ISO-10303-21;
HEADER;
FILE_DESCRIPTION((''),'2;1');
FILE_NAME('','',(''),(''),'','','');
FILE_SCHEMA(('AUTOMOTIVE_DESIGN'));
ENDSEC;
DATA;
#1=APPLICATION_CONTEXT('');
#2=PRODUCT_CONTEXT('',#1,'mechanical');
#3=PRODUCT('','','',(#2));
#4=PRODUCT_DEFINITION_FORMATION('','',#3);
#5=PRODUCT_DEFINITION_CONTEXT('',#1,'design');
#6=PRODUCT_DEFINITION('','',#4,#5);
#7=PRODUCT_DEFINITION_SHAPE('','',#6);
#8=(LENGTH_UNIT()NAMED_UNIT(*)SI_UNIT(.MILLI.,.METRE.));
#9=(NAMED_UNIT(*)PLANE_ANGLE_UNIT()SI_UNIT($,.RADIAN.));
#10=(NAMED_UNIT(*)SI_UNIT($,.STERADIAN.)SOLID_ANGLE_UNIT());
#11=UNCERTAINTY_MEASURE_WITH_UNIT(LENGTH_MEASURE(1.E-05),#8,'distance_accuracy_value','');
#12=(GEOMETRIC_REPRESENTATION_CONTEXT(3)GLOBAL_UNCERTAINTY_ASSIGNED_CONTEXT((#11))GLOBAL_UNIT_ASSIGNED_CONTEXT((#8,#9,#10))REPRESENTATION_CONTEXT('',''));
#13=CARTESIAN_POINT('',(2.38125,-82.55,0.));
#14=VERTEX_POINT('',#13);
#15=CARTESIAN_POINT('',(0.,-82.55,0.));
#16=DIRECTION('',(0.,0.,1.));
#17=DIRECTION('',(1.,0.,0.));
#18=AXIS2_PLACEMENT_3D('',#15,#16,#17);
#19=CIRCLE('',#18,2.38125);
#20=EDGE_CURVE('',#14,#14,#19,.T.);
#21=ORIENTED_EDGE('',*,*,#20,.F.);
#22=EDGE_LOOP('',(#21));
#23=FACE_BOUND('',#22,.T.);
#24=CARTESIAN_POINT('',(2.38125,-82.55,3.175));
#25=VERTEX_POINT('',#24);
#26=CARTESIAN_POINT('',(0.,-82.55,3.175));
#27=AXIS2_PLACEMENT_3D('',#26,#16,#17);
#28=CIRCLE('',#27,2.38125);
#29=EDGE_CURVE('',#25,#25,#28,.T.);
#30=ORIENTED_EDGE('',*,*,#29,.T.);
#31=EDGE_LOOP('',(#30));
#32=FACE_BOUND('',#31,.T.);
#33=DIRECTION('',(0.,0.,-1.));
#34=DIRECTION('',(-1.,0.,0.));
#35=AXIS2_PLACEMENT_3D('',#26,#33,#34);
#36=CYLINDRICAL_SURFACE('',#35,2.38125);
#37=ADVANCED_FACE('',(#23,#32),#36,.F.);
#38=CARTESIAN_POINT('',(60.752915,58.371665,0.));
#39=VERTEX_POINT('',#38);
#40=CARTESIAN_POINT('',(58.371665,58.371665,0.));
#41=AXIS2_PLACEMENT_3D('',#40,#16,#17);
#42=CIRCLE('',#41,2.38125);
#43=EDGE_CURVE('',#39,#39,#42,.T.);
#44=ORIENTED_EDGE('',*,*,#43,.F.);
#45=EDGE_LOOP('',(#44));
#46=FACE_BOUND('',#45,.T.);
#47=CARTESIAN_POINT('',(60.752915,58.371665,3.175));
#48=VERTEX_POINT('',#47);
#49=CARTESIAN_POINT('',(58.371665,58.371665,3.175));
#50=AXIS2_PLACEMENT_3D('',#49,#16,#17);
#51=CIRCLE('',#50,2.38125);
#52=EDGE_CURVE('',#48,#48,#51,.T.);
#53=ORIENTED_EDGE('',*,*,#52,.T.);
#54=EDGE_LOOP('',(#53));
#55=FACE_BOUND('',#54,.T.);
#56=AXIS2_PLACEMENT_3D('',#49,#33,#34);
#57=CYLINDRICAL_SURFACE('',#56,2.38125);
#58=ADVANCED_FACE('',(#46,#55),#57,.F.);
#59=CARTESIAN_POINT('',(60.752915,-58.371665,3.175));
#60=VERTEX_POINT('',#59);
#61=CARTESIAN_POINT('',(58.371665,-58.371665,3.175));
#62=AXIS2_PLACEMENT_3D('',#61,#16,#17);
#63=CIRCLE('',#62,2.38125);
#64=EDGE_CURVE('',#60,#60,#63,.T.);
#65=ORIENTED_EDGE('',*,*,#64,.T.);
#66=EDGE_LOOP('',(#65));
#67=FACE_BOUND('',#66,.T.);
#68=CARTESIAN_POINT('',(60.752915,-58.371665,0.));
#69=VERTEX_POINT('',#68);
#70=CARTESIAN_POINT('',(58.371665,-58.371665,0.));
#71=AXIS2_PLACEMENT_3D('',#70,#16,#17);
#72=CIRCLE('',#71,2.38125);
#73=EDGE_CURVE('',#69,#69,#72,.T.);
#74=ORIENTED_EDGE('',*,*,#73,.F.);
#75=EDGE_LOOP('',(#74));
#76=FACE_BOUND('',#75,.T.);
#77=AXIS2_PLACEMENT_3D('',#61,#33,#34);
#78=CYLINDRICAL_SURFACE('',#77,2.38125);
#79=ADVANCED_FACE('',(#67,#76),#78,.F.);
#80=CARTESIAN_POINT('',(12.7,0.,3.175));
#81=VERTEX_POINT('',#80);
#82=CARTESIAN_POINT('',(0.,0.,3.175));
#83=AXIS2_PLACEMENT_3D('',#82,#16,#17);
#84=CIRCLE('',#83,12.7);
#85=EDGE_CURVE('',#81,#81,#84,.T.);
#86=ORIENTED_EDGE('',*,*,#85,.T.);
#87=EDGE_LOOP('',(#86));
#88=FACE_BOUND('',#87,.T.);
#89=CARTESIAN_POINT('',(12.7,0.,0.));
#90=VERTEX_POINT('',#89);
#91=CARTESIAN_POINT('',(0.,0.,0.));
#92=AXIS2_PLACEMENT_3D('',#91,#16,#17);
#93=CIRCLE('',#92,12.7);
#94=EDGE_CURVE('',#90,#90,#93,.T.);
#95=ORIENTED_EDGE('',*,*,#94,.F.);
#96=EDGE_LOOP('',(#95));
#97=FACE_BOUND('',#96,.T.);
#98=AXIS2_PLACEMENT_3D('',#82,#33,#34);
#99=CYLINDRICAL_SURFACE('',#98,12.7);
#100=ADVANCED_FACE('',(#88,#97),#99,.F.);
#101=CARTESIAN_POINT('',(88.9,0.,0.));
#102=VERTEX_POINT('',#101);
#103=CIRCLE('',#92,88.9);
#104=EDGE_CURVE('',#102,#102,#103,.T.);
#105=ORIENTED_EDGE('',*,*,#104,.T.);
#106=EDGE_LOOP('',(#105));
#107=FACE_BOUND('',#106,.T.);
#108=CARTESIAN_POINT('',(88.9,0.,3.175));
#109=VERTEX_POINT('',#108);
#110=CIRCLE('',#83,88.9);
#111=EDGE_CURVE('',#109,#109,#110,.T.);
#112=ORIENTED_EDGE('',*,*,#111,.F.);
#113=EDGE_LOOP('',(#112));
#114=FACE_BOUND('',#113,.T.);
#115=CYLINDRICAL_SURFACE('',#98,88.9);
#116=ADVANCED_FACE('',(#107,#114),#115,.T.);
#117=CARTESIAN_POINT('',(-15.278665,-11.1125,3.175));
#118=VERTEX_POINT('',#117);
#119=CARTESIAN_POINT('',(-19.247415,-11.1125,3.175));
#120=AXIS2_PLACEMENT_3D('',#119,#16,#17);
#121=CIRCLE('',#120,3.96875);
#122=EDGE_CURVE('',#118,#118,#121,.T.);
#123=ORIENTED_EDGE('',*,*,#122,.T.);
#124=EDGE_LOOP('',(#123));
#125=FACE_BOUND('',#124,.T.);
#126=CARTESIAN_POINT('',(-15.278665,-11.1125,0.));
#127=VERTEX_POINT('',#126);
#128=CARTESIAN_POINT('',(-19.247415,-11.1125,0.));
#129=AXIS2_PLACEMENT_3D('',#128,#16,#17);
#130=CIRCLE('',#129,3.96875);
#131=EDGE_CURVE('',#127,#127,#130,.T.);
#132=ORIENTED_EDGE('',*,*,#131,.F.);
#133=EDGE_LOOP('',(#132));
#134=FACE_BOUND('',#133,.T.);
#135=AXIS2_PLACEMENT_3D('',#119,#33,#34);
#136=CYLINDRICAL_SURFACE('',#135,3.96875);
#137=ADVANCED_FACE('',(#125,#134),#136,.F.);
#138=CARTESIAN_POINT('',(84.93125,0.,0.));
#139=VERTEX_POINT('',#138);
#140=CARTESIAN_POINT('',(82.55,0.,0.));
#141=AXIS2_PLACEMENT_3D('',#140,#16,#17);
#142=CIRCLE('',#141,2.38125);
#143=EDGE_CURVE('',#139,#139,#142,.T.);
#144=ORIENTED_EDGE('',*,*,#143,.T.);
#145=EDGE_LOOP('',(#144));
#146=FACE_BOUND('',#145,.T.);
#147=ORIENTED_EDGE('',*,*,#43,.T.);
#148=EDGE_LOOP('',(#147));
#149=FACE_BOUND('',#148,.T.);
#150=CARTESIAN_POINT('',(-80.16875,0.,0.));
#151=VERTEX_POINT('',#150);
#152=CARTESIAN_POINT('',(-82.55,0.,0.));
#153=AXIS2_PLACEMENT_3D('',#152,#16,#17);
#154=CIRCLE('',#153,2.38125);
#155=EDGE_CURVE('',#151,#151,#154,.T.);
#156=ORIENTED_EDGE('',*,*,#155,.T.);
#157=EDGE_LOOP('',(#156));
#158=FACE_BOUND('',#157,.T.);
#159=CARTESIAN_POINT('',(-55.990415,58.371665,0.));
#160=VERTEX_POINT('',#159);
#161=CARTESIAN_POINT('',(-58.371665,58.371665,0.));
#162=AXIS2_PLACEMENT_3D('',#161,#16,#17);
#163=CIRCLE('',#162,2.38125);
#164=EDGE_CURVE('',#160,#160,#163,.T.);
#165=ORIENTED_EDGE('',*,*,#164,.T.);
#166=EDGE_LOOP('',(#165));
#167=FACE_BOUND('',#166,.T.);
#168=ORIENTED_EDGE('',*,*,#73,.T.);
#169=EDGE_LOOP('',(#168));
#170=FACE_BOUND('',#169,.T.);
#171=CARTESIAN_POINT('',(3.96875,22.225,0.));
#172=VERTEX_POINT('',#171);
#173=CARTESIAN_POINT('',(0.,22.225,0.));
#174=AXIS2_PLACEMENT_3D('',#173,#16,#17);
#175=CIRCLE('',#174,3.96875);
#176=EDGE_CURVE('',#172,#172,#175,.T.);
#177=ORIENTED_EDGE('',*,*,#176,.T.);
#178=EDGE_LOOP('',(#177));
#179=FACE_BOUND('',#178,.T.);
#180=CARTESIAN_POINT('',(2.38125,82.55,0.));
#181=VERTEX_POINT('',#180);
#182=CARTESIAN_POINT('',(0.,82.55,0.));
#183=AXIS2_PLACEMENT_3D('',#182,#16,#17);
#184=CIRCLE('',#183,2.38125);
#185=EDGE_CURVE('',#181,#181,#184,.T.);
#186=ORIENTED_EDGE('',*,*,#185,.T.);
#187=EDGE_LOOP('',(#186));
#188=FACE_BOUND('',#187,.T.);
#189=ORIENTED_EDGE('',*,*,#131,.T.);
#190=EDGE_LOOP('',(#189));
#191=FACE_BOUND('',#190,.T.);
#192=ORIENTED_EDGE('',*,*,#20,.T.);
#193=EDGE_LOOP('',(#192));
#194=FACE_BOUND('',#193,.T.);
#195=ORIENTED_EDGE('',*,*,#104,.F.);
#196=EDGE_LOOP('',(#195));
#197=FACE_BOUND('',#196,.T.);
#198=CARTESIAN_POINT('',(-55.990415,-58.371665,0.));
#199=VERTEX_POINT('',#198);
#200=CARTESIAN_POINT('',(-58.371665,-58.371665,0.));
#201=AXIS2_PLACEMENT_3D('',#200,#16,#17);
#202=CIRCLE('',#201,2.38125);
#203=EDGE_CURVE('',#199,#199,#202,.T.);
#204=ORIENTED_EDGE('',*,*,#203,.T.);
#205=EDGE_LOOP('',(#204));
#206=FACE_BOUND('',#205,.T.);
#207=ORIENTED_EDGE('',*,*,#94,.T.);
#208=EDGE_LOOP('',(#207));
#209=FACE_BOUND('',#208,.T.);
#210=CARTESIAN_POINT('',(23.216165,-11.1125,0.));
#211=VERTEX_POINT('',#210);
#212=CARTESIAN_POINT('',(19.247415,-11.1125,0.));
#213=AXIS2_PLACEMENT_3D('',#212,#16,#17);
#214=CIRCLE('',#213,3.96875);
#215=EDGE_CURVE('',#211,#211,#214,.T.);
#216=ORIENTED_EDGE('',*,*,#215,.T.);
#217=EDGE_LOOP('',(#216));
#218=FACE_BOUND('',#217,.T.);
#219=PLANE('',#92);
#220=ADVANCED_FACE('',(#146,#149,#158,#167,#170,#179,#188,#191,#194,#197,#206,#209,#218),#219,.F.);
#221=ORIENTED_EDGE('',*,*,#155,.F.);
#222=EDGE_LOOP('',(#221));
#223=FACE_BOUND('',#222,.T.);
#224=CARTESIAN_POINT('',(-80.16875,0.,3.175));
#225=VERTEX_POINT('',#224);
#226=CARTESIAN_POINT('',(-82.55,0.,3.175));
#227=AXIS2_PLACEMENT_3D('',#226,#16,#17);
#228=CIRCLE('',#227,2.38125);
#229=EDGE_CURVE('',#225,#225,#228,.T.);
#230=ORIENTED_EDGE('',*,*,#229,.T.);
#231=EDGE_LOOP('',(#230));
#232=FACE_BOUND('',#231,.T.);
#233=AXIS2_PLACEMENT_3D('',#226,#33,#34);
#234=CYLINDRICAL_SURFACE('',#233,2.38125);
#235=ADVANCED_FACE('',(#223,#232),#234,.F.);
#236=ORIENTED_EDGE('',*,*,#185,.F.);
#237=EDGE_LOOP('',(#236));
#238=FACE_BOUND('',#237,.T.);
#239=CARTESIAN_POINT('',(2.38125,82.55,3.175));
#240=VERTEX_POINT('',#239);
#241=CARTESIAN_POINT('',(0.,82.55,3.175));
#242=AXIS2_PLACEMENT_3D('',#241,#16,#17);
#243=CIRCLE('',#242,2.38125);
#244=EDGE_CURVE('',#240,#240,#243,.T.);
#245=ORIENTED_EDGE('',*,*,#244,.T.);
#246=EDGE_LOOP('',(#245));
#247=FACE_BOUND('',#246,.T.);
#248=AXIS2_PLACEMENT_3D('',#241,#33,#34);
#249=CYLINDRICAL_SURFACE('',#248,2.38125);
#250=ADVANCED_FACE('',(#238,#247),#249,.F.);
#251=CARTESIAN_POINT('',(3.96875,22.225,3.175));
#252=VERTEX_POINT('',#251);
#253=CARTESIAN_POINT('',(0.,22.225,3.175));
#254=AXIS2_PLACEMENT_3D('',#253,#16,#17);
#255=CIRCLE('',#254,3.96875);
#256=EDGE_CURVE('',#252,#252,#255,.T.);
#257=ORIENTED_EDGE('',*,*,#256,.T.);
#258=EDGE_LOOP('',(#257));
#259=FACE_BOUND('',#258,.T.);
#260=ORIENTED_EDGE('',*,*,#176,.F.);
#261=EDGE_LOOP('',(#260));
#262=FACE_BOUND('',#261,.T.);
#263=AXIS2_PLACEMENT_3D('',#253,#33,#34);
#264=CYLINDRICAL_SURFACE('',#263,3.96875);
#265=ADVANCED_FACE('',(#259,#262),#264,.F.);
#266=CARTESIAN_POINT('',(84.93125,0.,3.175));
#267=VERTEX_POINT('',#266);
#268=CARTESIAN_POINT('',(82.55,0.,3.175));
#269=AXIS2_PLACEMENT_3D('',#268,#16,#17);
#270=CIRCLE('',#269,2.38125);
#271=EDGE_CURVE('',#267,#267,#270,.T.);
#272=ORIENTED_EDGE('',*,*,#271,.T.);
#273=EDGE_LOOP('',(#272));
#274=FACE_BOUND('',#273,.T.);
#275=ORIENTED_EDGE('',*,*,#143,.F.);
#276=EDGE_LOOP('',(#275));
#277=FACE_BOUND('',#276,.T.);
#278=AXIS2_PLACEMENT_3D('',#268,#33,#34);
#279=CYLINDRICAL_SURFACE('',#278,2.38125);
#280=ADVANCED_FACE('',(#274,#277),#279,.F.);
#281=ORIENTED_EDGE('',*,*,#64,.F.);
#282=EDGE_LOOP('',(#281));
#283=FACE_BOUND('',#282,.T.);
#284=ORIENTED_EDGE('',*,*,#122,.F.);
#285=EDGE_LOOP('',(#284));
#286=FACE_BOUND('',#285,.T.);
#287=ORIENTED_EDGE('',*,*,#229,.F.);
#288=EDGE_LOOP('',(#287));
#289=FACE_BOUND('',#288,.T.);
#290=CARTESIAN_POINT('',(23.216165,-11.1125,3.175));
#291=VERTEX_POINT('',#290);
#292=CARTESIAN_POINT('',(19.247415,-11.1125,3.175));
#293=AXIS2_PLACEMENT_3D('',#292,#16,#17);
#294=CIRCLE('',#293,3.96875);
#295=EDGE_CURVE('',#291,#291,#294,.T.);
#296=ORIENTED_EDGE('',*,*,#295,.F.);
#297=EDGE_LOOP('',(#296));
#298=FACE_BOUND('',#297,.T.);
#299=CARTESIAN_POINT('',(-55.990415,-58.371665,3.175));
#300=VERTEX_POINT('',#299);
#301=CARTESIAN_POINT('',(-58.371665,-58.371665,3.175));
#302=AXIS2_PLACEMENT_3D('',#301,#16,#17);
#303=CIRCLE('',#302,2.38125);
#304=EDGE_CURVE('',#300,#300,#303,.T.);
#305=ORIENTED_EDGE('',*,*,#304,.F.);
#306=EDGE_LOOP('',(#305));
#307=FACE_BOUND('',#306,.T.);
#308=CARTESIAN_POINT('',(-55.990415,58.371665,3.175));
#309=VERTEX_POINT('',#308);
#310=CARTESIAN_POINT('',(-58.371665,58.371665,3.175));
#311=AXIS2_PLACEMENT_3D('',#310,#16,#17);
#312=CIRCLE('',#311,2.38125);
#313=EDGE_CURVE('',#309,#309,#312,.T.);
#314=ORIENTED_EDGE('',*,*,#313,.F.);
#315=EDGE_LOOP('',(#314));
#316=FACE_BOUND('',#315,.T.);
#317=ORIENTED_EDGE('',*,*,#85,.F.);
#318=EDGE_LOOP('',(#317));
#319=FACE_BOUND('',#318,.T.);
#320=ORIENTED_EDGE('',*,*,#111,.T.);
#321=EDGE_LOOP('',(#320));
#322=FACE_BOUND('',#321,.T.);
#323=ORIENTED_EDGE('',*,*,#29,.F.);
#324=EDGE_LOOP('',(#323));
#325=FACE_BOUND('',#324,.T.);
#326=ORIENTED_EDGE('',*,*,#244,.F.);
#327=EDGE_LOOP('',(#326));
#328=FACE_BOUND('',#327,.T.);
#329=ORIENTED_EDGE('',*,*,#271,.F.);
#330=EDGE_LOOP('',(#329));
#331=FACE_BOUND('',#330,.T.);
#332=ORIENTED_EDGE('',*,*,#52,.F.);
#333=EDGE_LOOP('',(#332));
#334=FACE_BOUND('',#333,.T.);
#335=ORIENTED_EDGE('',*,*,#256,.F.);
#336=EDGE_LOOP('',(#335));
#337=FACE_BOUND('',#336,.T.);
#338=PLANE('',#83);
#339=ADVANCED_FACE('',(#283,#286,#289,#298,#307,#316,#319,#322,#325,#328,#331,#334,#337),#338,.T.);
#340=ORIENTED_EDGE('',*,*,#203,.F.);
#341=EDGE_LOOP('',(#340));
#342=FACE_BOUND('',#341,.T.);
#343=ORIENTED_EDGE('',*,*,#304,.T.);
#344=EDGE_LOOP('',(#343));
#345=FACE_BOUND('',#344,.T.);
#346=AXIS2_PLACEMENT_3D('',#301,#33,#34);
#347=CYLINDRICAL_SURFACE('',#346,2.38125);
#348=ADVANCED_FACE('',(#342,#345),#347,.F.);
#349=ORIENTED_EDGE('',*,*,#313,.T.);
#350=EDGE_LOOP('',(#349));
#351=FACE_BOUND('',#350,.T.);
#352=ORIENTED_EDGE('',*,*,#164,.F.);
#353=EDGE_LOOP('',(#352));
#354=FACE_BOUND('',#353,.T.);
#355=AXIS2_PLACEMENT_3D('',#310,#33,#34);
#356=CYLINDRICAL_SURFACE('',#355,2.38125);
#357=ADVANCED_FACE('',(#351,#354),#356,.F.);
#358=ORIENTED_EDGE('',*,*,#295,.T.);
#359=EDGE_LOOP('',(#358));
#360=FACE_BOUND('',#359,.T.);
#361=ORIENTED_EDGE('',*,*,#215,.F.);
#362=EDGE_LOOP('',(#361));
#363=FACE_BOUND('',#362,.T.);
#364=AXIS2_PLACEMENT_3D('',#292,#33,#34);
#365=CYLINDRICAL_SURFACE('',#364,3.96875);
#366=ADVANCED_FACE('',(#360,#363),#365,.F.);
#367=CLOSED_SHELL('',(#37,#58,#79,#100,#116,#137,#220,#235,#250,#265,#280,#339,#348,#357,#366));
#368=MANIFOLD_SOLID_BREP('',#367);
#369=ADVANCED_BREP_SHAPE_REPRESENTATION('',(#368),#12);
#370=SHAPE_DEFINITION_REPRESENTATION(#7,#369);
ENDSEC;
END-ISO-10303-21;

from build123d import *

# Parameters (mm, degrees)
SKETCH1_R           = 88.9
SKETCH1_R_2         = 3.96875
SKETCH1_R_3         = 2.38125
SKETCH1_R_4         = 12.7
BOSS_EXTRUDE1_DEPTH = 3.175


with BuildPart() as part:
    # Sketch1 → Boss-Extrude1 (new body)
    with BuildSketch(Plane.XY):
        Circle(SKETCH1_R)
        with Locations((0, 22.225)):
            Circle(SKETCH1_R_2, mode=Mode.SUBTRACT)
        with Locations((19.247414599, -11.1125)):
            Circle(SKETCH1_R_2, mode=Mode.SUBTRACT)
        with Locations((-19.247414599, -11.1125)):
            Circle(SKETCH1_R_2, mode=Mode.SUBTRACT)
        with Locations((0, 82.55)):
            Circle(SKETCH1_R_3, mode=Mode.SUBTRACT)
        with Locations((58.371664787, 58.371664787)):
            Circle(SKETCH1_R_3, mode=Mode.SUBTRACT)
        with Locations((82.55, 0)):
            Circle(SKETCH1_R_3, mode=Mode.SUBTRACT)
        with Locations((58.371664787, -58.371664787)):
            Circle(SKETCH1_R_3, mode=Mode.SUBTRACT)
        with Locations((0, -82.55)):
            Circle(SKETCH1_R_3, mode=Mode.SUBTRACT)
        with Locations((-58.371664787, -58.371664787)):
            Circle(SKETCH1_R_3, mode=Mode.SUBTRACT)
        with Locations((-82.55, 0)):
            Circle(SKETCH1_R_3, mode=Mode.SUBTRACT)
        with Locations((-58.371664787, 58.371664787)):
            Circle(SKETCH1_R_3, mode=Mode.SUBTRACT)
        Circle(SKETCH1_R_4, mode=Mode.SUBTRACT)
    extrude(amount=BOSS_EXTRUDE1_DEPTH)


solid = part.part
